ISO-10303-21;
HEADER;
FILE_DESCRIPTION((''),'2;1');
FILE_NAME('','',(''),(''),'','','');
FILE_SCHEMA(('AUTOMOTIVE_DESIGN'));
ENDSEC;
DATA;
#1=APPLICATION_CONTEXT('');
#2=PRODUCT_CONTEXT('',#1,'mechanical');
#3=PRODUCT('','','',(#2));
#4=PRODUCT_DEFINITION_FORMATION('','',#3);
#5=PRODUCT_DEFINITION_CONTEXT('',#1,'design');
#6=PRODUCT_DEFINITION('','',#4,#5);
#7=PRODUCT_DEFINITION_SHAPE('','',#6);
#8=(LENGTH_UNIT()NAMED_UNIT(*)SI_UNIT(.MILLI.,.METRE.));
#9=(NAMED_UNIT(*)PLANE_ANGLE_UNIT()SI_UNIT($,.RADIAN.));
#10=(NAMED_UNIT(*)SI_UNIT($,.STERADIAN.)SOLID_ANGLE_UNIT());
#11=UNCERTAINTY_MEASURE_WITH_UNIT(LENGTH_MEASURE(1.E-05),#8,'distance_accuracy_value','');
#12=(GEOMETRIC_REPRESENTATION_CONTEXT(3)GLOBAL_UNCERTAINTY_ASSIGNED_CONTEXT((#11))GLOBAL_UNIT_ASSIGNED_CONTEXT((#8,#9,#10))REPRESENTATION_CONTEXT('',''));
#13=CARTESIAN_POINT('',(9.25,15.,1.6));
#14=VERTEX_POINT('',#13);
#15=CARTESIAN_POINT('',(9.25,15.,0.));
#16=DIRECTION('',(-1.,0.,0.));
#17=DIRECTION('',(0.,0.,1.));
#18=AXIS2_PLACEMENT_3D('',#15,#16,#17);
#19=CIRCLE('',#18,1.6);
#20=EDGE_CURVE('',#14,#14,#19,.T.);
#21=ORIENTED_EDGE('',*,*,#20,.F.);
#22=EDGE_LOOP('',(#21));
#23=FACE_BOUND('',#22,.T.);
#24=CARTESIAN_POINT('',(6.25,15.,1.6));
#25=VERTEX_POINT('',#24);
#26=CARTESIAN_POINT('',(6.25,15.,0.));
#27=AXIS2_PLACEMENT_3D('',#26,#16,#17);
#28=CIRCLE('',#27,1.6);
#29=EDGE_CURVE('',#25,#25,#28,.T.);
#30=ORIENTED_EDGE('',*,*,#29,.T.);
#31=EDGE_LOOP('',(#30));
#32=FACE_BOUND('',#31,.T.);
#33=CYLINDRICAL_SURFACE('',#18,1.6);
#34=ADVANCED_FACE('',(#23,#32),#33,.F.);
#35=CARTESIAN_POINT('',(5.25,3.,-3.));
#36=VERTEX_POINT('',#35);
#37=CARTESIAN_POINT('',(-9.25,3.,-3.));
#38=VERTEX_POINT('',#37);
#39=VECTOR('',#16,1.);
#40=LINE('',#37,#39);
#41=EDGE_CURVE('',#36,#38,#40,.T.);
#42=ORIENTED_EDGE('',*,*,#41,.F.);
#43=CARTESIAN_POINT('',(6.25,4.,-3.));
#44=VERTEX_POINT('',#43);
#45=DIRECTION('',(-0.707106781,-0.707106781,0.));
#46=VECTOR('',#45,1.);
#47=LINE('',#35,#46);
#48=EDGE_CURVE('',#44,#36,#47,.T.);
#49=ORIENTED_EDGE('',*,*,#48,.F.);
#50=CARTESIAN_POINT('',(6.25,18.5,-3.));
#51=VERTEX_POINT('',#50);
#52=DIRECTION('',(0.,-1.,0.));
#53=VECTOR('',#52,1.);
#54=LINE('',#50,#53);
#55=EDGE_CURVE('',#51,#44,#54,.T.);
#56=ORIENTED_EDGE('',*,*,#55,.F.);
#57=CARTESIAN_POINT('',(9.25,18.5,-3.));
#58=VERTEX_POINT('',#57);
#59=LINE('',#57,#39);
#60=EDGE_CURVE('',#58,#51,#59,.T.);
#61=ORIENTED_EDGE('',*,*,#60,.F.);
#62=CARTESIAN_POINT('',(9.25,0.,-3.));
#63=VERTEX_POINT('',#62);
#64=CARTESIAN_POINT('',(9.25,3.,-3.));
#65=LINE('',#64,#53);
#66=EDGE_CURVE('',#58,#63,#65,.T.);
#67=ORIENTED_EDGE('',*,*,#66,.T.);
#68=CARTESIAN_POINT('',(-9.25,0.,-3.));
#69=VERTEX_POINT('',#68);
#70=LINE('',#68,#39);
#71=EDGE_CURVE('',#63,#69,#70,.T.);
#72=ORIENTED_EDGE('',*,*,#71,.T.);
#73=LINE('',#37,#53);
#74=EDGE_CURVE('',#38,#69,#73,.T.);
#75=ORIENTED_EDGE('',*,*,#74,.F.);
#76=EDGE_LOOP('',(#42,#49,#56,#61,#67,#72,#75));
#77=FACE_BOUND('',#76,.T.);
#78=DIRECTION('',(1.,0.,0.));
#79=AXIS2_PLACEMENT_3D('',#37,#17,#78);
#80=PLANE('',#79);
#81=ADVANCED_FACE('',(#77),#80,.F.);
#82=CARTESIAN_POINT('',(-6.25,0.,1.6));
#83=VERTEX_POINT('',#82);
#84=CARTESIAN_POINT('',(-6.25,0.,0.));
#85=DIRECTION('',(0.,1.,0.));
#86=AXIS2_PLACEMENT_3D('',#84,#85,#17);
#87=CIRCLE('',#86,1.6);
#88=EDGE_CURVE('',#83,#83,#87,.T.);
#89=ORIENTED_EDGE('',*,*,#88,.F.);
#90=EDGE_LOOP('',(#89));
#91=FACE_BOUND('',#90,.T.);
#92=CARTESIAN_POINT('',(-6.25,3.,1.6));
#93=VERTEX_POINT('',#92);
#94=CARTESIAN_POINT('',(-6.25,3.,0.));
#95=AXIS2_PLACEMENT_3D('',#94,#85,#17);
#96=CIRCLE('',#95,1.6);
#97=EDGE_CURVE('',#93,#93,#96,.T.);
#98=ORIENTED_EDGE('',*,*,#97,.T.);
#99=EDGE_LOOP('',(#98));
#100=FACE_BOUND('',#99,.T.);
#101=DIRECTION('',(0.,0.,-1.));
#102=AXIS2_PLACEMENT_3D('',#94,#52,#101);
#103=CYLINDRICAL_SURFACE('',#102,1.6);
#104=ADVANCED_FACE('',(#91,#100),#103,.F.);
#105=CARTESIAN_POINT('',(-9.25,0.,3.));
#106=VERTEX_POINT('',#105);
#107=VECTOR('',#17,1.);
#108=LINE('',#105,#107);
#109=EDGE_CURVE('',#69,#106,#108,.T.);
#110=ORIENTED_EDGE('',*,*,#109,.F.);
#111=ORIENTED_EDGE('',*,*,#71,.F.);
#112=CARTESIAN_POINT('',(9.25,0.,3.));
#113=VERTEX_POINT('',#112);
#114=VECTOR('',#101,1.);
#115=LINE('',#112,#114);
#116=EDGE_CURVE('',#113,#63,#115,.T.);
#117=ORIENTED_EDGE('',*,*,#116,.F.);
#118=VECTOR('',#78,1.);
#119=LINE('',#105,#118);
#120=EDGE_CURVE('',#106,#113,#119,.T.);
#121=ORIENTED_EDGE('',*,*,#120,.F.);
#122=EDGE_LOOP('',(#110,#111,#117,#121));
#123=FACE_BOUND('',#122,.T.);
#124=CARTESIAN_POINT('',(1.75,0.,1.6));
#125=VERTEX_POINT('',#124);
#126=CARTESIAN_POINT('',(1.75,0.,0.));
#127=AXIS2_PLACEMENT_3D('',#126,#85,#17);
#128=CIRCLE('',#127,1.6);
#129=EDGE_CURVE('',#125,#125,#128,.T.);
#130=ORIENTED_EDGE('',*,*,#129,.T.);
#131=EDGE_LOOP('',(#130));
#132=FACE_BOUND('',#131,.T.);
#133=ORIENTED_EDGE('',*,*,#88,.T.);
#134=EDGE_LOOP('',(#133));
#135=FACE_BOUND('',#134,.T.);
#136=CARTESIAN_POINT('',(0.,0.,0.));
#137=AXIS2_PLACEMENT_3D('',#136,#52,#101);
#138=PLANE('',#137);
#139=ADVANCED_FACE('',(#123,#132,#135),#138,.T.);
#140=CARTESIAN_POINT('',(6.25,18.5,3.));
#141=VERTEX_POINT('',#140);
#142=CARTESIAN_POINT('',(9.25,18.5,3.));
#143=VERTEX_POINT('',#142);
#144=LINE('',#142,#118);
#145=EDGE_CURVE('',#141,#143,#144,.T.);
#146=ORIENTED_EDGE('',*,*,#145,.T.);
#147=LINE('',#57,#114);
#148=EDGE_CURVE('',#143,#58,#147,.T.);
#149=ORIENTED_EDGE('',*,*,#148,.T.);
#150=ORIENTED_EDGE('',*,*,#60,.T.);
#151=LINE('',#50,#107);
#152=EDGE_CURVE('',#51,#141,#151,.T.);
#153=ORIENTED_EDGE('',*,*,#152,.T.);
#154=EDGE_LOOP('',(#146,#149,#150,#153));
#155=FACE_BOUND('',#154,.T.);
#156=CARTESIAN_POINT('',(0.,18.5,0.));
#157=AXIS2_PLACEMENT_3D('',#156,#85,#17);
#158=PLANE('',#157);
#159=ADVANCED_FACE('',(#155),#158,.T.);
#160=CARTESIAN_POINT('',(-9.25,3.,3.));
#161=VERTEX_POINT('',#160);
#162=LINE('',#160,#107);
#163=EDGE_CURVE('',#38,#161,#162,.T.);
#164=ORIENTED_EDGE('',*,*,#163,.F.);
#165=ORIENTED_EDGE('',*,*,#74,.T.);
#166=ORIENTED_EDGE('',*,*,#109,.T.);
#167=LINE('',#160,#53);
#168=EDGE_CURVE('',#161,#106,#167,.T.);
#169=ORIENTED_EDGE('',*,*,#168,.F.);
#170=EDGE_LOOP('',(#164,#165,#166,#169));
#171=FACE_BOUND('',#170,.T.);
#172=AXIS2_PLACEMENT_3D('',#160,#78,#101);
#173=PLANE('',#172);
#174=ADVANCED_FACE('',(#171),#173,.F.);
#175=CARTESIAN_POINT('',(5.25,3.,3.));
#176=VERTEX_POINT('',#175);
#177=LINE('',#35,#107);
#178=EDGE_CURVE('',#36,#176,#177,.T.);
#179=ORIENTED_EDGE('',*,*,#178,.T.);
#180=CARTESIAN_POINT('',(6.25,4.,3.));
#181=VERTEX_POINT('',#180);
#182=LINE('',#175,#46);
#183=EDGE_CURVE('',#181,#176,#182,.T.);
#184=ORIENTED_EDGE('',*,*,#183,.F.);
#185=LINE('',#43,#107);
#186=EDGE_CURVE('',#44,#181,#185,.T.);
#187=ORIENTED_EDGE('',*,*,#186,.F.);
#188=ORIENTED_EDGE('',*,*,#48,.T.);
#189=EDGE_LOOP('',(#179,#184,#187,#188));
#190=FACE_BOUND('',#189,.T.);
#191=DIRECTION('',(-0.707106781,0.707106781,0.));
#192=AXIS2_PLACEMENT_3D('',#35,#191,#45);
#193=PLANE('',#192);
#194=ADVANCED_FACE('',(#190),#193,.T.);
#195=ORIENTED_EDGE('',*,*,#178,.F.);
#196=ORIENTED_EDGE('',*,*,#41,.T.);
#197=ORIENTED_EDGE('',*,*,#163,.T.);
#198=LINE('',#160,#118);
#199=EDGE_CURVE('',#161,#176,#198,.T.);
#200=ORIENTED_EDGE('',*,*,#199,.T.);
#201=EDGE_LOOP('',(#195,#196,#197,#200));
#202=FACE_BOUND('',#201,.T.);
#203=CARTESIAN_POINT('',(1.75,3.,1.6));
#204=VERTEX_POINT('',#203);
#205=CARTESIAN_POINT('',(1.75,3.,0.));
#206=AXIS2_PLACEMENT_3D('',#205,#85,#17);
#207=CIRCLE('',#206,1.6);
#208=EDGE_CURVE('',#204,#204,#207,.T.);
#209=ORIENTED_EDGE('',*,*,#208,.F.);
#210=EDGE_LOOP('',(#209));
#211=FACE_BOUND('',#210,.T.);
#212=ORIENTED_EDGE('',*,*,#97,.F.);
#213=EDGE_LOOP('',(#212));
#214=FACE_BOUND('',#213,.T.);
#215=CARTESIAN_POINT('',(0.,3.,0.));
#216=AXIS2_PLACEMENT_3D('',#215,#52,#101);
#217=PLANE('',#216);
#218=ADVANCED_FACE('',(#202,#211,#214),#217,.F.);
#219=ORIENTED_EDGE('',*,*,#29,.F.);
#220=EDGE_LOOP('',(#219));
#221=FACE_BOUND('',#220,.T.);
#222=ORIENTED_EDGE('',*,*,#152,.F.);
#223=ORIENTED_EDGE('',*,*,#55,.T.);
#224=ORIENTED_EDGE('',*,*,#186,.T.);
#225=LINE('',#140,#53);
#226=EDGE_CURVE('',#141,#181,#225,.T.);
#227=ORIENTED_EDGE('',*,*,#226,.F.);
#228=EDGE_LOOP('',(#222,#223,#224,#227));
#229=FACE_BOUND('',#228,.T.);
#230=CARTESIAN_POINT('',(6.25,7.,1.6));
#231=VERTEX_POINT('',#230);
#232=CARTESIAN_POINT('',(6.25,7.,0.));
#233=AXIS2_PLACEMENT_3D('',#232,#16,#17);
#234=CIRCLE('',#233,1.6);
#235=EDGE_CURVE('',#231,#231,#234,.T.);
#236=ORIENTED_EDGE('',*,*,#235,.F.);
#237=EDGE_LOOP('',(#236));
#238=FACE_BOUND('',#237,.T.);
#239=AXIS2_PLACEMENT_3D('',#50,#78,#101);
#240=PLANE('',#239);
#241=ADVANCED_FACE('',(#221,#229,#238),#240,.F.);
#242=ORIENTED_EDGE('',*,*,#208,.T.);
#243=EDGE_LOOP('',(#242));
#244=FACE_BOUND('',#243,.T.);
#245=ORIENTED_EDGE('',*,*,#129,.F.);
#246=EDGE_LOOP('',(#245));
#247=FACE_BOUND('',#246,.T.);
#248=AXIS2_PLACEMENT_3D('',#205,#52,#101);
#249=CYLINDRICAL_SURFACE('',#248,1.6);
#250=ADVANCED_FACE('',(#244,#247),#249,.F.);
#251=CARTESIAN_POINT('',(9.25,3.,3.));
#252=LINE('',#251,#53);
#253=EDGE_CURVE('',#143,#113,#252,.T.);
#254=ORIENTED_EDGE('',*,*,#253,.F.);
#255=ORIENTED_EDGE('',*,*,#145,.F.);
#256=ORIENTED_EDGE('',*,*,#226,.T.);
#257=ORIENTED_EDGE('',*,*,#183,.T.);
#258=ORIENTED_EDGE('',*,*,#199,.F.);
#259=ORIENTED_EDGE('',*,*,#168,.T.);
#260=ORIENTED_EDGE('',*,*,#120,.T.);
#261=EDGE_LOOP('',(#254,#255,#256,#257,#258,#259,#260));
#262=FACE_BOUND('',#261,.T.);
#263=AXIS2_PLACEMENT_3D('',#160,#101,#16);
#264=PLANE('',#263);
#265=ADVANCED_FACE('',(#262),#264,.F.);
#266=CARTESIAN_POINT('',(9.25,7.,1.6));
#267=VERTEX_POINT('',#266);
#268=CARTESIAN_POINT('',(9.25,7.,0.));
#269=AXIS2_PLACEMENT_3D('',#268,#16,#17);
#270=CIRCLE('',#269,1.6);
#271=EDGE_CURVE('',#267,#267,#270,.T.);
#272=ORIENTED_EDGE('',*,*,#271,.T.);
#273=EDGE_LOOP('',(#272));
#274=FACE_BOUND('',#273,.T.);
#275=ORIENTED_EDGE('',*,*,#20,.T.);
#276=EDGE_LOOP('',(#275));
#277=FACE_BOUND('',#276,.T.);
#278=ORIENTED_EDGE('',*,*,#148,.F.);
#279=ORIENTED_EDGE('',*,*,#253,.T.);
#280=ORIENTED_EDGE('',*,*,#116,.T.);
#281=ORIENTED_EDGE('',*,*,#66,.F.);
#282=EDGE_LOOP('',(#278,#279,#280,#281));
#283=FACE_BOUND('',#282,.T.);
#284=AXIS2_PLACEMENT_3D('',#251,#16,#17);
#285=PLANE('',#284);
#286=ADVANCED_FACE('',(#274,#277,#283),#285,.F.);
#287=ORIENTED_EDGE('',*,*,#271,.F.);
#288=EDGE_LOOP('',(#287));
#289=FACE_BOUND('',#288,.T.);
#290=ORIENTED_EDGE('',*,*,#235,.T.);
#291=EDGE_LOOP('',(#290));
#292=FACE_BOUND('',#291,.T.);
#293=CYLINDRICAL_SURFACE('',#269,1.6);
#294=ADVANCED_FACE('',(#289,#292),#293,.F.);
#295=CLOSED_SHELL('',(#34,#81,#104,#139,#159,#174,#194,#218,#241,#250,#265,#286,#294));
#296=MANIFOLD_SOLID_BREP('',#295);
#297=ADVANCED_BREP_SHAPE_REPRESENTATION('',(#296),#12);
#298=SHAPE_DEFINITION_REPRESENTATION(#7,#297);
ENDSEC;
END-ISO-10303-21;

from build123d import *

# Parameters (mm, degrees)
SKETCH1_W           = 18.5
SKETCH1_H           = 6
SKETCH1_R           = 1.6
BOSS_EXTRUDE1_DEPTH = 3
SKETCH2_W           = 3
SKETCH2_H           = 6
BOSS_EXTRUDE2_DEPTH = 15.5
SKETCH3_R           = 1.6
CUT_EXTRUDE1_DEPTH  = 25.320773014
BOSS_EXTRUDE3_DEPTH = 6


with BuildPart() as part:
    # Sketch1 → Boss-Extrude1 (new body)
    with BuildSketch(Plane(origin=(0, 0, 0), x_dir=(1, 0, 0), z_dir=(0, 1, 0))):
        Rectangle(SKETCH1_W, SKETCH1_H)
        with Locations(Location((-6.25, 0, 0), (0, 0, 270))):
            Circle(SKETCH1_R, mode=Mode.SUBTRACT)
        with Locations(Location((1.75, 0, 0), (0, 0, 270))):
            Circle(SKETCH1_R, mode=Mode.SUBTRACT)
    extrude(amount=BOSS_EXTRUDE1_DEPTH)

    # Sketch2 → Boss-Extrude2 (add)
    with BuildSketch(Plane(origin=(0, 3, 0), x_dir=(1, 0, 0), z_dir=(0, 1, 0))):
        with Locations((7.75, 0)):
            Rectangle(SKETCH2_W, SKETCH2_H)
    extrude(amount=BOSS_EXTRUDE2_DEPTH)

    # Sketch3 → Cut-Extrude1 (cut, through all)
    with BuildSketch(Plane.ZY.offset(-6.25)):
        with Locations((0, 7)):
            Circle(SKETCH3_R)
        with Locations((0, 15)):
            Circle(SKETCH3_R)
    extrude(amount=-CUT_EXTRUDE1_DEPTH, mode=Mode.SUBTRACT)

    # Sketch5 → Boss-Extrude3 (add)
    with BuildSketch(Plane(origin=(6.25, 3, 3), x_dir=(1, 0, 0), z_dir=(0, 0, 1))):
        Polygon((-1, 0), (0, 1), (0, 0), align=None)
    extrude(amount=-BOSS_EXTRUDE3_DEPTH)


solid = part.part
